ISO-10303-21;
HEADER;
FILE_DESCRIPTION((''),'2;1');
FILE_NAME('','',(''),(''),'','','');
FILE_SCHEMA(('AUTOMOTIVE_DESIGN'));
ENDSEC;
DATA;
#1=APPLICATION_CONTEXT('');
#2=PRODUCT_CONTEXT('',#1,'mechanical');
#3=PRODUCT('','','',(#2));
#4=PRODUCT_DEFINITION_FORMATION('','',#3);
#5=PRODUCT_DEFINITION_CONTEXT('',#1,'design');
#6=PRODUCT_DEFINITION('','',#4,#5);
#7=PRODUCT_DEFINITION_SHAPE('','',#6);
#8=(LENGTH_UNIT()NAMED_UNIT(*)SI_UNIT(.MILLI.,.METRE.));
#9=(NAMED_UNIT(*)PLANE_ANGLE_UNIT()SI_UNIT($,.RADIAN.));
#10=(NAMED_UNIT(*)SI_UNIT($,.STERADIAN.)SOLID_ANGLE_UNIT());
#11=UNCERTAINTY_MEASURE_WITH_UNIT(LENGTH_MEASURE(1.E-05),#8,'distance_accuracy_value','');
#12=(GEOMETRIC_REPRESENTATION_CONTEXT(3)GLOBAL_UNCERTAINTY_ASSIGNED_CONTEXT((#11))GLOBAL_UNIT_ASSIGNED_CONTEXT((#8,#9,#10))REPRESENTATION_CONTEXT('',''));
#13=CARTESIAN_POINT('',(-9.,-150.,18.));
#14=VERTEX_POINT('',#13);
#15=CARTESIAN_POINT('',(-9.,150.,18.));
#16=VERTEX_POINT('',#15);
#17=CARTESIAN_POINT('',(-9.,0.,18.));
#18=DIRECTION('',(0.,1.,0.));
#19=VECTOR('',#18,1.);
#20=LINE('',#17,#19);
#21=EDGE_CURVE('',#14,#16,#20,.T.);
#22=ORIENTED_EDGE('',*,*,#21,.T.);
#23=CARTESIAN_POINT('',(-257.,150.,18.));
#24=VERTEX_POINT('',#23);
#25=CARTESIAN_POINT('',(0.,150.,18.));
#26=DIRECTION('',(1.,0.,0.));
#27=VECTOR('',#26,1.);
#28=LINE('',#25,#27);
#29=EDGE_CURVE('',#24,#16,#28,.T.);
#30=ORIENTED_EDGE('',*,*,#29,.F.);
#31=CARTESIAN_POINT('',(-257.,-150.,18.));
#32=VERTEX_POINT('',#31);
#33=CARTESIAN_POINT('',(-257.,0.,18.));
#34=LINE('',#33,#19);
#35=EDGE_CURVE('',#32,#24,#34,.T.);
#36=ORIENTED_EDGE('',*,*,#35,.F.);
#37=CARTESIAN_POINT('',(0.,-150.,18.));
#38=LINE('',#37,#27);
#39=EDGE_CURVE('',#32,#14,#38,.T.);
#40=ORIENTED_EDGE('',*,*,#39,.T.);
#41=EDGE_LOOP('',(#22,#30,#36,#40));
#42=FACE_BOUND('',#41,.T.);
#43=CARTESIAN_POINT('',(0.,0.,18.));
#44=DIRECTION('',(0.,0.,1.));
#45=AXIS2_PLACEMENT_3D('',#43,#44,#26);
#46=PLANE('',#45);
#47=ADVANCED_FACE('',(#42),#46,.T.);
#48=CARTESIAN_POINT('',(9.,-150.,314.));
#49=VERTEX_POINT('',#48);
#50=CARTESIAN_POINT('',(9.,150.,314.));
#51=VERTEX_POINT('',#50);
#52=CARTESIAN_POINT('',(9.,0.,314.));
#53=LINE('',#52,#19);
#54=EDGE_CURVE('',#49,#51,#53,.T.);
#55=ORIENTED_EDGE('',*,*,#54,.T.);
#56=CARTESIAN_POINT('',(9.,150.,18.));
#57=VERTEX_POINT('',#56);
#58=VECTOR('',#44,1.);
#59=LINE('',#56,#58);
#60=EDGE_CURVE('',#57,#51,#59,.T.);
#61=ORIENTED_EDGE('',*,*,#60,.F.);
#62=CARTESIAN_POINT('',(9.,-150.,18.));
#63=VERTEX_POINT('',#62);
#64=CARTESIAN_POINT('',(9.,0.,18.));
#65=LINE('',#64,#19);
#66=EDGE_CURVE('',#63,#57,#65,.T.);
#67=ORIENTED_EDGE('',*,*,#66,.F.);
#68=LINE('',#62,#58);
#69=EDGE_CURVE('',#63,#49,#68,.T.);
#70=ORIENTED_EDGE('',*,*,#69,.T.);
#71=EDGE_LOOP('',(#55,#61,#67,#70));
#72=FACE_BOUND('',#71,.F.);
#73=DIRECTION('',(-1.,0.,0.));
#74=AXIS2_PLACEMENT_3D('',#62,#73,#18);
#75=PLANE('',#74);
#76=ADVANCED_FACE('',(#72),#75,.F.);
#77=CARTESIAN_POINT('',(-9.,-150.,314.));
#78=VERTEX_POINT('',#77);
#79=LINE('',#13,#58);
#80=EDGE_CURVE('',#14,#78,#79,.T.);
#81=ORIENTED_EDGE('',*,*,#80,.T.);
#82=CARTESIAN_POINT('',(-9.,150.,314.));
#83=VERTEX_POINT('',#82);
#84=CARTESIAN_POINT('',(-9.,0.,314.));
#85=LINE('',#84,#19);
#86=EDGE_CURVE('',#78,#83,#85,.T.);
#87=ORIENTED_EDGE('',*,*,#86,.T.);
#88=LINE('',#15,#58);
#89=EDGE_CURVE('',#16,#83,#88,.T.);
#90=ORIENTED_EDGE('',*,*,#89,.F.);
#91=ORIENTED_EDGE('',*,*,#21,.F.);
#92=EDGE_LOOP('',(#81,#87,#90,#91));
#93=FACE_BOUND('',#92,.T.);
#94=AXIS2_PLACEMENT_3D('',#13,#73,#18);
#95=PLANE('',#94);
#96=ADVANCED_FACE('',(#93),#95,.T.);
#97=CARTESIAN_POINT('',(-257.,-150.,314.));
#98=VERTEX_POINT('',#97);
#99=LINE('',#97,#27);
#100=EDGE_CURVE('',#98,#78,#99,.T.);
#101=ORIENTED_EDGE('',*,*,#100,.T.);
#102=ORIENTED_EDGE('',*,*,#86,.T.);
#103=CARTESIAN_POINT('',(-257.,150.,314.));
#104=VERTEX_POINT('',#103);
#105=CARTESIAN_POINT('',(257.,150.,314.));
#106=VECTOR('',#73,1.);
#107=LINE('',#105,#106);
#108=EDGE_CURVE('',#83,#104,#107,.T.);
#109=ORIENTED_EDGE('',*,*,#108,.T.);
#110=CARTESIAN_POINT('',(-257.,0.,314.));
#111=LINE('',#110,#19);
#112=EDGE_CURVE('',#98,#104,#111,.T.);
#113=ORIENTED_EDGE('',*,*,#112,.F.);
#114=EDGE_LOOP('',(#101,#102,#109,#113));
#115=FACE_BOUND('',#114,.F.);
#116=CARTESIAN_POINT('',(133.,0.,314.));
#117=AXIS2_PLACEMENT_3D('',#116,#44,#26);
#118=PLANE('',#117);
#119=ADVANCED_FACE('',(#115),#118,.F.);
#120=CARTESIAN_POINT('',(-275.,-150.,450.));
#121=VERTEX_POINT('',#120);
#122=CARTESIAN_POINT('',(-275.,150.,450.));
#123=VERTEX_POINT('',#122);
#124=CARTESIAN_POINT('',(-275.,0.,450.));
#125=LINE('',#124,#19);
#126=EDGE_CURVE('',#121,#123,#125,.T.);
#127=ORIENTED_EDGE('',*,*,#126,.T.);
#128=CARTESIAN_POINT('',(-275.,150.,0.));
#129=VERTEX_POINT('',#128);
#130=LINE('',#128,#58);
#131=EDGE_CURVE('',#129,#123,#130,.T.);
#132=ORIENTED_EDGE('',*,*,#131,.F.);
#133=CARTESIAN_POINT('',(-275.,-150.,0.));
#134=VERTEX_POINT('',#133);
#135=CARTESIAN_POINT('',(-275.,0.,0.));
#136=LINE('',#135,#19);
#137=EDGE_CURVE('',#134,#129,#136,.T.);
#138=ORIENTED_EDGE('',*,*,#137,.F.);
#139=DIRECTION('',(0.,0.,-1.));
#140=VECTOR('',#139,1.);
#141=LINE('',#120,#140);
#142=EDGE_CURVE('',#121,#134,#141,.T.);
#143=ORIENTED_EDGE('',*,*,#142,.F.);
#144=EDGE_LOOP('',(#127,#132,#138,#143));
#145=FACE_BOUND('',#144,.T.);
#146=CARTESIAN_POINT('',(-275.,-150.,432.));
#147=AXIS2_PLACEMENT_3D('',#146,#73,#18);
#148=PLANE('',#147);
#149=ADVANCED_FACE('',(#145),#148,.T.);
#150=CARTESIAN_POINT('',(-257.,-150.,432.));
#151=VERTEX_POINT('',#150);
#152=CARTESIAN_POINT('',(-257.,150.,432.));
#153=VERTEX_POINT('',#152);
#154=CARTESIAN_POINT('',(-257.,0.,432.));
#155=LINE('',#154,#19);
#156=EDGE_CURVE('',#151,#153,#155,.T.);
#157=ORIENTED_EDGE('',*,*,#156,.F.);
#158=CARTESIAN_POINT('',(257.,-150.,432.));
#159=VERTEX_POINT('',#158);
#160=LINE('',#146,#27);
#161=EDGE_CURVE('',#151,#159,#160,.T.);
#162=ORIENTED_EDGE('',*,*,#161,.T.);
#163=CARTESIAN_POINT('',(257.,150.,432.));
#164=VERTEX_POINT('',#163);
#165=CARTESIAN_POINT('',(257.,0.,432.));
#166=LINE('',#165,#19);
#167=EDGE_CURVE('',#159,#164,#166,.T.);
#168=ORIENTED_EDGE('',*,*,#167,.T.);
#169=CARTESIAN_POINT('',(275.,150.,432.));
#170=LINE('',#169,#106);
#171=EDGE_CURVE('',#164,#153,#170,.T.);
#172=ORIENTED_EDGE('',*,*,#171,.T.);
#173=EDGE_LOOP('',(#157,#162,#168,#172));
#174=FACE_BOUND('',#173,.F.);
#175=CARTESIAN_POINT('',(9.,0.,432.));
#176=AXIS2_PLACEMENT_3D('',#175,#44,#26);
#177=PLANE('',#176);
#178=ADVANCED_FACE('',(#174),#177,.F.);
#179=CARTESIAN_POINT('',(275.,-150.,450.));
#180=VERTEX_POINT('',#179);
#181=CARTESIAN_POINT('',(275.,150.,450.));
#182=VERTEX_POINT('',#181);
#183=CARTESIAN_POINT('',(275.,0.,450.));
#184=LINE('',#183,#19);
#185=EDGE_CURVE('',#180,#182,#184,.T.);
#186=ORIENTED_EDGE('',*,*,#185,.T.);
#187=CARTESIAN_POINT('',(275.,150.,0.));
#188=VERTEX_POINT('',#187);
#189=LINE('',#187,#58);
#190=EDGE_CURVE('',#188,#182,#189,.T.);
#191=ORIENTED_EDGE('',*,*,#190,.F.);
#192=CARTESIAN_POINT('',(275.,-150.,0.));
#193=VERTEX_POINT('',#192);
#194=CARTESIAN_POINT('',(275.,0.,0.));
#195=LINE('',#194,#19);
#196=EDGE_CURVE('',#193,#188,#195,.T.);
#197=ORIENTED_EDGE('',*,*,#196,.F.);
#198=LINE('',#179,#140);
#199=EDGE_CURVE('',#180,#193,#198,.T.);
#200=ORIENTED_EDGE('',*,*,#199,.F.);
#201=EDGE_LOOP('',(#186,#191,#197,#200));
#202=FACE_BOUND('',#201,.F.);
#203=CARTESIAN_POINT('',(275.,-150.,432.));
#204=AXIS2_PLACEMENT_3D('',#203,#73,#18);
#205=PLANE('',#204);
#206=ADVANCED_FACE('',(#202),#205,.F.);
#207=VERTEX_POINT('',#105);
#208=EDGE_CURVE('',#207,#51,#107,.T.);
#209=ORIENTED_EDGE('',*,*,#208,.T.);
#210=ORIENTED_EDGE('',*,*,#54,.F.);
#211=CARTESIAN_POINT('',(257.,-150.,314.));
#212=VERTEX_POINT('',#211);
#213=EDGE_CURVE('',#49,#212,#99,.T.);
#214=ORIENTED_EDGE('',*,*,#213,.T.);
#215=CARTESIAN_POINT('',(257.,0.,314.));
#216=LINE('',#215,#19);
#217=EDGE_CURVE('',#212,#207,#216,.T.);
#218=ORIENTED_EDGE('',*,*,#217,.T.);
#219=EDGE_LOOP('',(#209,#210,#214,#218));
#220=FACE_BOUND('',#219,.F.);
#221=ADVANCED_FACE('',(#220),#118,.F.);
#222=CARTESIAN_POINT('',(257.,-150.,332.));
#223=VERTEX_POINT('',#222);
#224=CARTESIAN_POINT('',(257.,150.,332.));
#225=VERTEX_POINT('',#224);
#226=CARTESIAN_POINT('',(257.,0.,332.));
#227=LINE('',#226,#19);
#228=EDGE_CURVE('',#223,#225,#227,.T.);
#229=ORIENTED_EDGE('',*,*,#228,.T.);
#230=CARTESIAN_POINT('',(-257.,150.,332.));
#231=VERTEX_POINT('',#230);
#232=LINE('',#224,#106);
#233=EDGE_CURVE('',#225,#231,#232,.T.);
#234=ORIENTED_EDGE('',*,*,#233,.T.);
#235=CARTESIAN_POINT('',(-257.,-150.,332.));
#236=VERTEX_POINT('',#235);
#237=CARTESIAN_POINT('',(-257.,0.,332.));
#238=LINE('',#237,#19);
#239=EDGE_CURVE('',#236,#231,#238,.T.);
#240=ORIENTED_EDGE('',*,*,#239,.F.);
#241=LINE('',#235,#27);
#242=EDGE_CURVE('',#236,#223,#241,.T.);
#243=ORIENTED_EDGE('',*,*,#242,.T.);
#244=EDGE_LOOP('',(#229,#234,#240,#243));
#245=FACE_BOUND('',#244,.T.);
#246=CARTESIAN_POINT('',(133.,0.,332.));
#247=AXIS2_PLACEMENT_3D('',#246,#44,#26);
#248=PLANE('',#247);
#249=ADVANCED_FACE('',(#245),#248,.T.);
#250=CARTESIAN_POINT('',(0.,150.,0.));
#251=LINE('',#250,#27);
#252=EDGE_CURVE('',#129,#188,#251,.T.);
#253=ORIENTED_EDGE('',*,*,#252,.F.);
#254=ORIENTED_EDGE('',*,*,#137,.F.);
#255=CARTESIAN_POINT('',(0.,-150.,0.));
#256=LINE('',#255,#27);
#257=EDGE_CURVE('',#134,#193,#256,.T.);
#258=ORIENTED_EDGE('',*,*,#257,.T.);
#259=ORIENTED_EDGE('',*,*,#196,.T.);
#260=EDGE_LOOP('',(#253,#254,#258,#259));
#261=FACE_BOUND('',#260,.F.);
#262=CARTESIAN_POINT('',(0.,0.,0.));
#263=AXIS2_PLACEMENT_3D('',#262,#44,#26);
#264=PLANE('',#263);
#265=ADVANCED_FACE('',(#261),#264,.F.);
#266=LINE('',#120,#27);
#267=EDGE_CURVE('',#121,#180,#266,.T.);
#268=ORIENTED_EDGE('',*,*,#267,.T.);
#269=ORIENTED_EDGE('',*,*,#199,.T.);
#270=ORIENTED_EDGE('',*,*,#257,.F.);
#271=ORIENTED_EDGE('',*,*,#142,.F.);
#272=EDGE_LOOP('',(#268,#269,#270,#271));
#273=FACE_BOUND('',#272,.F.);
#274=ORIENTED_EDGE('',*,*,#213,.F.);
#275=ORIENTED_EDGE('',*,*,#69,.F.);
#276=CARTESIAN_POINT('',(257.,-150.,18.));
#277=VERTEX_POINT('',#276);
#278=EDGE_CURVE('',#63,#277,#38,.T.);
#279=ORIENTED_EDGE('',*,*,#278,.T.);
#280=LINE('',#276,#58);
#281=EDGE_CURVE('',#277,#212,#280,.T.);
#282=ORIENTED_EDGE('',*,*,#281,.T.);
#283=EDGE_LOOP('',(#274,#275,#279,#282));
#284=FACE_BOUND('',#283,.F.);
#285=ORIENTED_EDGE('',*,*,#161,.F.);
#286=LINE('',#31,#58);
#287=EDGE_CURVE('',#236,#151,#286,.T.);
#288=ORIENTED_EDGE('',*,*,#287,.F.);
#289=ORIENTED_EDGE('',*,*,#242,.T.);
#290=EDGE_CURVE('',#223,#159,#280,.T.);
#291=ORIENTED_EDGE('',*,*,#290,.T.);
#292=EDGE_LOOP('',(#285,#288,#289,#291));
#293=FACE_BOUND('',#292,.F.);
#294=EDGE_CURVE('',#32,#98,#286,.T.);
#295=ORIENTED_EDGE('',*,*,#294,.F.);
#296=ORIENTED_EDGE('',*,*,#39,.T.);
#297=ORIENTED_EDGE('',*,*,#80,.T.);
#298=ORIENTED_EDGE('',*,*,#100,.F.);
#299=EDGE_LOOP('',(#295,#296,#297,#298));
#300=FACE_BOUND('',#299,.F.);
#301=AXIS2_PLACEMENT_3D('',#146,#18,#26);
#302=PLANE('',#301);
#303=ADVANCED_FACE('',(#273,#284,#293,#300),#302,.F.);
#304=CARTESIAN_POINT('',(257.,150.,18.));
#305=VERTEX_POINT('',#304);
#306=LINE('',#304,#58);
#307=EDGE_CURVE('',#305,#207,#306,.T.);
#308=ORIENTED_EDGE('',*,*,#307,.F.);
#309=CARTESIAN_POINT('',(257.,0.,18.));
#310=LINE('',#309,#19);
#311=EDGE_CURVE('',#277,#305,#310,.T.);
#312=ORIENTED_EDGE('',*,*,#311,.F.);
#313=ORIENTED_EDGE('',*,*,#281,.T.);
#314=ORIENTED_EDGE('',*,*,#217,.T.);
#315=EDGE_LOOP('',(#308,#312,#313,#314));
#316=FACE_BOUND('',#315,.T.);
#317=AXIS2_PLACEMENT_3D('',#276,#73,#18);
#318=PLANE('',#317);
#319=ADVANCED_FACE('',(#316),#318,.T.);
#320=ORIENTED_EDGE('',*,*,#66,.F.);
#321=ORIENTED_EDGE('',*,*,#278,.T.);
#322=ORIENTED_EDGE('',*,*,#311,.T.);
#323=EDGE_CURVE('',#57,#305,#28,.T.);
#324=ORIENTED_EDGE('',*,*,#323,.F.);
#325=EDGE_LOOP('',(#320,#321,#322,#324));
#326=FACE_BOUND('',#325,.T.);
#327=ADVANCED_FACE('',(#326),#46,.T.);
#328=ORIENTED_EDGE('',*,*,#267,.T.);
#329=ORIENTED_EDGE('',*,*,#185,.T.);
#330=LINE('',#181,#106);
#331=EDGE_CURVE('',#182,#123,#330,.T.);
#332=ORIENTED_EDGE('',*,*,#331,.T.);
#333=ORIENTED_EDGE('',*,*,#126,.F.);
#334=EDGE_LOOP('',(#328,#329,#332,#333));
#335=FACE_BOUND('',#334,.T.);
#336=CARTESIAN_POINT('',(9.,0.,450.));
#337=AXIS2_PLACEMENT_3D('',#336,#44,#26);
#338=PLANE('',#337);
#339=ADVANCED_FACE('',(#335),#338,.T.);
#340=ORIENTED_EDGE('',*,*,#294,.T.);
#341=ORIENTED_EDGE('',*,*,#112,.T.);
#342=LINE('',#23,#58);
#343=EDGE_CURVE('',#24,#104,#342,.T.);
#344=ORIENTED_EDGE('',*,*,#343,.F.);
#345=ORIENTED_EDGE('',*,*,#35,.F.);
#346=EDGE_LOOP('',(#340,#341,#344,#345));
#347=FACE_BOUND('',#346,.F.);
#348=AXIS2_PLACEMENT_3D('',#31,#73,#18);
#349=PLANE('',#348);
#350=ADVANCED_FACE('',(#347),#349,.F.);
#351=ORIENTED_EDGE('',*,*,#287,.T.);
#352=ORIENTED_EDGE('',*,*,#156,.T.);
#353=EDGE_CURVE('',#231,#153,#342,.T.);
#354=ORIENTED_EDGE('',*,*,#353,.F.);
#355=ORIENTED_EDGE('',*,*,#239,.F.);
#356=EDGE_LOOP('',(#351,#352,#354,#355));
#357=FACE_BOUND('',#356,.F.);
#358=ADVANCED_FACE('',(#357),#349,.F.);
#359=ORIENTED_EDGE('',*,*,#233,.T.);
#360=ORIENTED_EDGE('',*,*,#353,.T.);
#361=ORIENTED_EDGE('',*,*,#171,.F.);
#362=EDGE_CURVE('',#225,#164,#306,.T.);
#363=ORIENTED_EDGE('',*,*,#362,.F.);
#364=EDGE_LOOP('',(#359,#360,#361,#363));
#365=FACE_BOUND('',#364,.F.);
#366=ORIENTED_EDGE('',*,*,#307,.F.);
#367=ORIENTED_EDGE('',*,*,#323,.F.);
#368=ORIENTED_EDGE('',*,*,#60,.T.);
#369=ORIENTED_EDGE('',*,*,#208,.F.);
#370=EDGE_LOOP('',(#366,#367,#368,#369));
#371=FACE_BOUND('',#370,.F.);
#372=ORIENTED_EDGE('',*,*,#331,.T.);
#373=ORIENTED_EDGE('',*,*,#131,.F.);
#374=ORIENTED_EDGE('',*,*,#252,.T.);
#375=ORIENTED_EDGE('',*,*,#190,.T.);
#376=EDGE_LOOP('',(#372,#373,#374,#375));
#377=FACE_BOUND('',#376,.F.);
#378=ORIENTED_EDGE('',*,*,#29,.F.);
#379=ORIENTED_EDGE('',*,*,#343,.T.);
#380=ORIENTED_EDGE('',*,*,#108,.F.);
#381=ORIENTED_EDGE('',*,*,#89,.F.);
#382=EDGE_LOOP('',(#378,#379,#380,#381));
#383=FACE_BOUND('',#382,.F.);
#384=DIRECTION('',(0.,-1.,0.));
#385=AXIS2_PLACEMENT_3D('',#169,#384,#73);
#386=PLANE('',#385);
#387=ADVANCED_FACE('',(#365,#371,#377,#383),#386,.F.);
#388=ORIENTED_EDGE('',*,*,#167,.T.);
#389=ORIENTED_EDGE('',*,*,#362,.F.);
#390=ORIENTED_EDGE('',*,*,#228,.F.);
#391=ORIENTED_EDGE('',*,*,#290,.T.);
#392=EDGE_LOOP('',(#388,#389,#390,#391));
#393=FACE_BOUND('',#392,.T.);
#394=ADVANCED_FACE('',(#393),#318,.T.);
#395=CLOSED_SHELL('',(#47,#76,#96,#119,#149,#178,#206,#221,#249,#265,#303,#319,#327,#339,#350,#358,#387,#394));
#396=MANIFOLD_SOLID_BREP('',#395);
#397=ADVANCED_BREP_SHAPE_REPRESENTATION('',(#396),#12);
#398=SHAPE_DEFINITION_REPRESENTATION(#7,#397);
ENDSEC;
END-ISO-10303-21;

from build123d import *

# Parameters (mm, degrees)
F0_W     = 550
F0_H     = 300
F1_DEPTH = 18
F2_W     = 18
F2_H     = 300
F3_DEPTH = 414
F4_W     = 18
F4_H     = 300
F5_DEPTH = 296
F6_W     = 248
F6_H     = 300
F6_W_2   = 18
F7_DEPTH = 18
F8_W     = 532
F8_H     = 300
F8_W_2   = 18
F9_DEPTH = 18


with BuildPart() as f1:
    # F0 (on Top) → F1 (new body)
    with BuildSketch(Plane.XY):
        Rectangle(F0_W, F0_H)
    extrude(amount=F1_DEPTH)

    # F2 (on face) → F3 (join)
    with BuildSketch(Plane.XY.offset(18)):
        with Locations((-266, 0)):
            Rectangle(F2_W, F2_H)
        with Locations((266, 0)):
            Rectangle(F2_W, F2_H)
    extrude(amount=F3_DEPTH)

    # F4 (on face) → F5 (join)
    with BuildSketch(Plane.XY.offset(18)):
        Rectangle(F4_W, F4_H)
    extrude(amount=F5_DEPTH)

    # F6 (on face) → F7 (join)
    with BuildSketch(Plane.XY.offset(314)):
        with Locations((133, 0)):
            Rectangle(F6_W, F6_H)
        Rectangle(F6_W_2, F6_H)
        with Locations((-133, 0)):
            Rectangle(F6_W, F6_H)
    extrude(amount=F7_DEPTH)

    # F8 (on face) → F9 (join)
    with BuildSketch(Plane.XY.offset(432)):
        with Locations((9, 0)):
            Rectangle(F8_W, F8_H)
        with Locations((-266, 0)):
            Rectangle(F8_W_2, F8_H)
    extrude(amount=F9_DEPTH)


solid = f1.part
